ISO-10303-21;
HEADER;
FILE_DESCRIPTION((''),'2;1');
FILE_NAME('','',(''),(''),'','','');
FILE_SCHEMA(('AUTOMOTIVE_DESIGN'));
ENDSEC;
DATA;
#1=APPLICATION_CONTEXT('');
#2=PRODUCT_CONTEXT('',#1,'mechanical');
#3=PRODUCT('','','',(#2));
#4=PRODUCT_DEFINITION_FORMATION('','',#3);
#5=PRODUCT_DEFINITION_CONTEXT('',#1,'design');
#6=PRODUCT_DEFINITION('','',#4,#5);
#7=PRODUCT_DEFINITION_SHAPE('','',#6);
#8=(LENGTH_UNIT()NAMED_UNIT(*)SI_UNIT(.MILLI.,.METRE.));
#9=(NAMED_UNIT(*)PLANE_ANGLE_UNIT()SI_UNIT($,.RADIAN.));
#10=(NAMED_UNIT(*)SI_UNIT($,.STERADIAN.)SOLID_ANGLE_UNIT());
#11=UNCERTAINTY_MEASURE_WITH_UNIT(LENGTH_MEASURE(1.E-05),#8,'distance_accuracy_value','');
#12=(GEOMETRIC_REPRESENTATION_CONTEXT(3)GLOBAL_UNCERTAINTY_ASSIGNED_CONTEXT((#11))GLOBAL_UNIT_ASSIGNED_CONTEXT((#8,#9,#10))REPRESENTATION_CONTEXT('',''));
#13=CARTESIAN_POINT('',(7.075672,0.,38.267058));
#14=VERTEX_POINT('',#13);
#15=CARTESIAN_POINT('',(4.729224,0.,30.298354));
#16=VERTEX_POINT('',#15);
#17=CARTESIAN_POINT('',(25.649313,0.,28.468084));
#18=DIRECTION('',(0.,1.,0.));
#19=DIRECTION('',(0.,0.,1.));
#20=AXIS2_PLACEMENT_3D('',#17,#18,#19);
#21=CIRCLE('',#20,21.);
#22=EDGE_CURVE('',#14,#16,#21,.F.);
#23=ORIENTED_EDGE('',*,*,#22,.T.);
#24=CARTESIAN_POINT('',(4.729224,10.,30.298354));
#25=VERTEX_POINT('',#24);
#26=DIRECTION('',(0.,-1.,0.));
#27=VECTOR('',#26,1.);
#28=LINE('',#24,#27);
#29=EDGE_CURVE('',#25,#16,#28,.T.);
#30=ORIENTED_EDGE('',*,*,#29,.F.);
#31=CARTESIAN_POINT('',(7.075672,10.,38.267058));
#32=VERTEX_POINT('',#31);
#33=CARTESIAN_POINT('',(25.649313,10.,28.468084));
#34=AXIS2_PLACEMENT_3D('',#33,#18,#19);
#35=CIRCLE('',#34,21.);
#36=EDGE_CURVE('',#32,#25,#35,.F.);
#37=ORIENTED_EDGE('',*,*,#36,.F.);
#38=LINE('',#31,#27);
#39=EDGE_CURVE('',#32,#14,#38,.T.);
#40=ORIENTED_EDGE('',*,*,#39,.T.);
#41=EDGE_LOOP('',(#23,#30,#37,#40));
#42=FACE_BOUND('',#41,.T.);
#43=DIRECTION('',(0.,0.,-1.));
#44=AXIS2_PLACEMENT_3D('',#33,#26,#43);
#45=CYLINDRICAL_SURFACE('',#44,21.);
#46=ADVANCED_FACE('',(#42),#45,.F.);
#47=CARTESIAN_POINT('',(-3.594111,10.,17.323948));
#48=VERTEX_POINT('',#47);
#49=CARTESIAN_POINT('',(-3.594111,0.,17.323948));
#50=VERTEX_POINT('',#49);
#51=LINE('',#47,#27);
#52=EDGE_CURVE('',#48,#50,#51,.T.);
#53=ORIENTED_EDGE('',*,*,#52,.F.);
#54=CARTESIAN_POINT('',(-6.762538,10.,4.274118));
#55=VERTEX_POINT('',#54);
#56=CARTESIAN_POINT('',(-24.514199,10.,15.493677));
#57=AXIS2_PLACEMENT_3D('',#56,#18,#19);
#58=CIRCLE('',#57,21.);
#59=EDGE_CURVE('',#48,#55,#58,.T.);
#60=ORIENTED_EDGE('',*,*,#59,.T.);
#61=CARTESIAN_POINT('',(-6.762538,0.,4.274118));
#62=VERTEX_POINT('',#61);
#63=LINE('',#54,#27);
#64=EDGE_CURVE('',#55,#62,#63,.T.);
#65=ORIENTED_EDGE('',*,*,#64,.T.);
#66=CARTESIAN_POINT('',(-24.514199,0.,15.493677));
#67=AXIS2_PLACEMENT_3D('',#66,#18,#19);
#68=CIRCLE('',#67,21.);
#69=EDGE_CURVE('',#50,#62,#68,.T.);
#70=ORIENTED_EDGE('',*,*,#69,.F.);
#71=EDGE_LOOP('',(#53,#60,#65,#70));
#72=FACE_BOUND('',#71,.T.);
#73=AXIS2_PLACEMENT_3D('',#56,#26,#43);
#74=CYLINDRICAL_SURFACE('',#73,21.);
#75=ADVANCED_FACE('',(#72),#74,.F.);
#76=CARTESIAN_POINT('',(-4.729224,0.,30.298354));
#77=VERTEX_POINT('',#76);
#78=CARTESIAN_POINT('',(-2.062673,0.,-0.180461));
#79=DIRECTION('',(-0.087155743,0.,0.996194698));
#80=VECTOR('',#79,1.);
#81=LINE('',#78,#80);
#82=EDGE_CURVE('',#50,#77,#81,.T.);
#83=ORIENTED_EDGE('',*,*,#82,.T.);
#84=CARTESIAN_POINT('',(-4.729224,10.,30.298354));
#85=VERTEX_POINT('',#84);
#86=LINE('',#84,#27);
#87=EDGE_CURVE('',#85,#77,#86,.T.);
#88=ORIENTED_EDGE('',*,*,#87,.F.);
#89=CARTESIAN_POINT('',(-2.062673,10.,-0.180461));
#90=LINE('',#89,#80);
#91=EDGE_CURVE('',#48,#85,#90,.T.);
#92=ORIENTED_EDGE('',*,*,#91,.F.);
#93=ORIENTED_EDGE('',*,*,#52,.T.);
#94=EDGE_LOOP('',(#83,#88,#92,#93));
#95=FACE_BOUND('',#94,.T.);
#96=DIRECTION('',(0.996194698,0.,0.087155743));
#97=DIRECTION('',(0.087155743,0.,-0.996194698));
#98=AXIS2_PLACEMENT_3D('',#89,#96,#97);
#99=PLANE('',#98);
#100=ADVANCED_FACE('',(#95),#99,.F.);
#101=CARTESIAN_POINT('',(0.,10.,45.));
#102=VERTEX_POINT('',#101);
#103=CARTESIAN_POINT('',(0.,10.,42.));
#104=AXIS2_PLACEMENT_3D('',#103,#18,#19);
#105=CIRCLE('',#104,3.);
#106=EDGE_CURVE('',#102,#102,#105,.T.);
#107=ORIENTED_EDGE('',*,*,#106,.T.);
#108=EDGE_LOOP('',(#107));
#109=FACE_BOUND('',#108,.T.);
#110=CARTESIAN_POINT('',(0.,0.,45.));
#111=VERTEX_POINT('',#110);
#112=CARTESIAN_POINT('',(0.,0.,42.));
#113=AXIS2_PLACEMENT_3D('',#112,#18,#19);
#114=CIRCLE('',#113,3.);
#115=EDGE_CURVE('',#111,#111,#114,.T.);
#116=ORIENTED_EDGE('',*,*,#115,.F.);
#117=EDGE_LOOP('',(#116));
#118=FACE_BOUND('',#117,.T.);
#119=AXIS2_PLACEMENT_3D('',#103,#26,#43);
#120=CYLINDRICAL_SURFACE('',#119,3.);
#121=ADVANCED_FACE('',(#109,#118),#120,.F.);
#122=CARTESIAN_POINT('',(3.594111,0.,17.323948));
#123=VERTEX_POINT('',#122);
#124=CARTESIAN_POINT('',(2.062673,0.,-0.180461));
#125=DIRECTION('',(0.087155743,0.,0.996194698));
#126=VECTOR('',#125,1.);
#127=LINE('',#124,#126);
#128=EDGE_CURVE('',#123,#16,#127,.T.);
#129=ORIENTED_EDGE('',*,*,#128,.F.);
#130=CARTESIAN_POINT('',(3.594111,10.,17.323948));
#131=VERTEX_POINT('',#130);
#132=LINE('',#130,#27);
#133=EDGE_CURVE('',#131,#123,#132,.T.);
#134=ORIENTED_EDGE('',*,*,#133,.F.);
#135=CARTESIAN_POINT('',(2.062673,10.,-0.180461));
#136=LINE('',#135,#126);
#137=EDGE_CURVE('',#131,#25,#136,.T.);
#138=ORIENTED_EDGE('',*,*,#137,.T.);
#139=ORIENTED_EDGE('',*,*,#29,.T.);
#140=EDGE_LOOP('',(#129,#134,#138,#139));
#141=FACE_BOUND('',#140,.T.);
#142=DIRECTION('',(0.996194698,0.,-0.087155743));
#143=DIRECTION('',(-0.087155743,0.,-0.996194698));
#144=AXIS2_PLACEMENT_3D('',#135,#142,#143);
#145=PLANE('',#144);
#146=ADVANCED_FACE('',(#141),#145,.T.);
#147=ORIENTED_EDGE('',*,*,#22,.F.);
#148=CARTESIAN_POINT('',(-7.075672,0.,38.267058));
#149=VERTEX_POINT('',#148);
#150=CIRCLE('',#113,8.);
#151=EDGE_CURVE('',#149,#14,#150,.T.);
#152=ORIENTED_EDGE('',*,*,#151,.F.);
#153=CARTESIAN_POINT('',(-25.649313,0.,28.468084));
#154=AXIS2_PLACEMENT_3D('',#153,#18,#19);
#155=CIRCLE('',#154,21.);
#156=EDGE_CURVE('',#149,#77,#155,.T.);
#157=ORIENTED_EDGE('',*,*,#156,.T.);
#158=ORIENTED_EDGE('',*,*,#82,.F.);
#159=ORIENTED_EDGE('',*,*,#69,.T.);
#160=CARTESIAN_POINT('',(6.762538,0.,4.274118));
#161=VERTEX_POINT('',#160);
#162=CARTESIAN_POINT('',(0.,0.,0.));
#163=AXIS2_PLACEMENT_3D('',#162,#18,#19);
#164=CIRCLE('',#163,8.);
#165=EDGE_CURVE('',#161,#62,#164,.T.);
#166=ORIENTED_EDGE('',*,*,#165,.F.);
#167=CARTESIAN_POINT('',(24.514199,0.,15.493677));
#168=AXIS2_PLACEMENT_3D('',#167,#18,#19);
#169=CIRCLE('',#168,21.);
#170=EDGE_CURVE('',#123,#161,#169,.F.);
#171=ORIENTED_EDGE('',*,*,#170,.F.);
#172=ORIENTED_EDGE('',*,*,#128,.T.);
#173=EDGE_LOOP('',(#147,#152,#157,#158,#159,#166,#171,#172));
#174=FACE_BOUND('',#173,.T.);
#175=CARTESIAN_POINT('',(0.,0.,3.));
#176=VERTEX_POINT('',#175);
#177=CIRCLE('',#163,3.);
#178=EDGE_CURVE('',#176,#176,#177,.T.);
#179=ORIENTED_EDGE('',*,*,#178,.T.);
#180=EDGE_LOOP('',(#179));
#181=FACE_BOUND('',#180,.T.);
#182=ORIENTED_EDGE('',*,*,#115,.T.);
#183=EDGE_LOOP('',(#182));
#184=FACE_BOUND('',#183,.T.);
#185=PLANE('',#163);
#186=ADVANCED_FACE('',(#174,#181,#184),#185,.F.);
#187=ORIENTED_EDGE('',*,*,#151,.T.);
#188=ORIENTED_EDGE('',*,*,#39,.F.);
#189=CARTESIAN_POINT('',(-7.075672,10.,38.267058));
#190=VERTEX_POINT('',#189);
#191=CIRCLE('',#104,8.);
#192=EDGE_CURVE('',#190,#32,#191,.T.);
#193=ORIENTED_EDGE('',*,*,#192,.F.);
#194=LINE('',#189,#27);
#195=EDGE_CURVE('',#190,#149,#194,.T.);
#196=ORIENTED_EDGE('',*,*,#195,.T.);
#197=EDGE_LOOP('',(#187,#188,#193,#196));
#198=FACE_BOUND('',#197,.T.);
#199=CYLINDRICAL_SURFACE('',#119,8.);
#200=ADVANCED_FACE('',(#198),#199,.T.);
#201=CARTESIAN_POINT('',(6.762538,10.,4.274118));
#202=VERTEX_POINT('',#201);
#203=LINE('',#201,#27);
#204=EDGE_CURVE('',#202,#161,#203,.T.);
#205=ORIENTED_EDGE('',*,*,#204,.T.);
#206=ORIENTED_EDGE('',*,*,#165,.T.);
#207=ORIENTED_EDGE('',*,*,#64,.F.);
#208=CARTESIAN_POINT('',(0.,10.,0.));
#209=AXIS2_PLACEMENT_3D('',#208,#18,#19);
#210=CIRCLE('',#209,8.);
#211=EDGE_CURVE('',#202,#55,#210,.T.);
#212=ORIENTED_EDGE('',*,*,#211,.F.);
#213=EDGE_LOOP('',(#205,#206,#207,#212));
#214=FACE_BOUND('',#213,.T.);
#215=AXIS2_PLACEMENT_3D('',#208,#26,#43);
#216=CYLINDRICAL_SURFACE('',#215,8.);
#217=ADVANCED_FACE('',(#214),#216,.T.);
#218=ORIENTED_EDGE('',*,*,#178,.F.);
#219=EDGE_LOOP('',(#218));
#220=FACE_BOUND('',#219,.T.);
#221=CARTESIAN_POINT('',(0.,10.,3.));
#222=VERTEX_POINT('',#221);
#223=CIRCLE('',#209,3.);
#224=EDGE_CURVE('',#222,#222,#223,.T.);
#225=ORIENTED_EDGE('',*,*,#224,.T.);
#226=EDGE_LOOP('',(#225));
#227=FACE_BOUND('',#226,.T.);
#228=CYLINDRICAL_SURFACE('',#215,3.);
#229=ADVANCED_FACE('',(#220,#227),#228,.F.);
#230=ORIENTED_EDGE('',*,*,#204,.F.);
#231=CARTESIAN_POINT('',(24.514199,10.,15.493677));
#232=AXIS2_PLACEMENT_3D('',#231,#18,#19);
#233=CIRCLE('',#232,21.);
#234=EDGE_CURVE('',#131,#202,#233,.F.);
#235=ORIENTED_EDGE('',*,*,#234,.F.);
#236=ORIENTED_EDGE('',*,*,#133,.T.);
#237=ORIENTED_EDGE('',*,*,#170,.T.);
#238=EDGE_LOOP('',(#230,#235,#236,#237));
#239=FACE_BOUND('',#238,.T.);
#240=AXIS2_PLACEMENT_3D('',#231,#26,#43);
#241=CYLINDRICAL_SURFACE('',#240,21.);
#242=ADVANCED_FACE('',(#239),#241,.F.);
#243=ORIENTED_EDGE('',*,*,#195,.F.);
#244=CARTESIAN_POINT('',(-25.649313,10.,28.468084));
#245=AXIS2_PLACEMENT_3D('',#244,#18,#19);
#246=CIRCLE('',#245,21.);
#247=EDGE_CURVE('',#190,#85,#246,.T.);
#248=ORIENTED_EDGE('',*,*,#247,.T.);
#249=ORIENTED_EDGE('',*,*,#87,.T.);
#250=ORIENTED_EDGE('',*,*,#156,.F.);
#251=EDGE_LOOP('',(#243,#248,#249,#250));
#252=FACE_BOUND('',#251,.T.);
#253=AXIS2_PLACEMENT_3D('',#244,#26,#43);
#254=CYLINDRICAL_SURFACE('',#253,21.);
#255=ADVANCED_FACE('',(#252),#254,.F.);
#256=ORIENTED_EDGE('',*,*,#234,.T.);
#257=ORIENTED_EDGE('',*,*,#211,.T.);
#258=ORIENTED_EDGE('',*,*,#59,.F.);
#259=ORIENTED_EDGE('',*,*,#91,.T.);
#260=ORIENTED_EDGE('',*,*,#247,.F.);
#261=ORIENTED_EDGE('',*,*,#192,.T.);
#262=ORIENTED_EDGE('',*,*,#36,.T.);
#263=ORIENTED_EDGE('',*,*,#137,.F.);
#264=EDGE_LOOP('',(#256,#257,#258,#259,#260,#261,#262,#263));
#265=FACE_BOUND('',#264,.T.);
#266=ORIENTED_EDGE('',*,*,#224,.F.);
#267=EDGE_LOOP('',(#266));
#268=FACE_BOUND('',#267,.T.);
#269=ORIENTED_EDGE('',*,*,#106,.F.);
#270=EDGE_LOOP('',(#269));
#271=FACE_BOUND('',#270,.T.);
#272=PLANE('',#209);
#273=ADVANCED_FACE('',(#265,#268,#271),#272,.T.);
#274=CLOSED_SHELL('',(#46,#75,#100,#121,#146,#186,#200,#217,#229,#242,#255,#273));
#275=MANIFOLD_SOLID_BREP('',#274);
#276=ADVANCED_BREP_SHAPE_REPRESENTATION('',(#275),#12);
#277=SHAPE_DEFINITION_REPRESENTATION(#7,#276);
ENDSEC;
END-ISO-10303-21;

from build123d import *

# Parameters (mm, degrees)
SKETCH_1_R      = 3
EXTRUDE_1_DEPTH = 10


with BuildPart() as part:
    # Эскиз1 → Бобышка-Вытянуть1 (new body)
    with BuildSketch(Plane(origin=(0, 0, 0), x_dir=(1, 0, 0), z_dir=(0, 1, 0))):
        with BuildLine():
            ThreePointArc((-7.075672476, -38.267057593), (0, -50), (7.075672476, -38.267057593))
            ThreePointArc((7.075672476, -38.267057593), (5.504494197, -34.399886744), (4.729224066, -30.298354373))
            Line((4.729224066, -30.298354373), (3.594110581, -17.323947875))
            ThreePointArc((3.594110581, -17.323947875), (4.107078394, -10.538940279), (6.762537722, -4.27411787))
            ThreePointArc((6.762537722, -4.27411787), (0, 8), (-6.762537722, -4.27411787))
            ThreePointArc((-6.762537722, -4.27411787), (-4.107078394, -10.538940279), (-3.594110581, -17.323947875))
            Line((-3.594110581, -17.323947875), (-4.729224066, -30.298354373))
            ThreePointArc((-4.729224066, -30.298354373), (-5.504494197, -34.399886744), (-7.075672476, -38.267057593))
        make_face()
        with Locations((0, -42)):
            Circle(SKETCH_1_R, mode=Mode.SUBTRACT)
        Circle(SKETCH_1_R, mode=Mode.SUBTRACT)
    extrude(amount=EXTRUDE_1_DEPTH)


solid = part.part
